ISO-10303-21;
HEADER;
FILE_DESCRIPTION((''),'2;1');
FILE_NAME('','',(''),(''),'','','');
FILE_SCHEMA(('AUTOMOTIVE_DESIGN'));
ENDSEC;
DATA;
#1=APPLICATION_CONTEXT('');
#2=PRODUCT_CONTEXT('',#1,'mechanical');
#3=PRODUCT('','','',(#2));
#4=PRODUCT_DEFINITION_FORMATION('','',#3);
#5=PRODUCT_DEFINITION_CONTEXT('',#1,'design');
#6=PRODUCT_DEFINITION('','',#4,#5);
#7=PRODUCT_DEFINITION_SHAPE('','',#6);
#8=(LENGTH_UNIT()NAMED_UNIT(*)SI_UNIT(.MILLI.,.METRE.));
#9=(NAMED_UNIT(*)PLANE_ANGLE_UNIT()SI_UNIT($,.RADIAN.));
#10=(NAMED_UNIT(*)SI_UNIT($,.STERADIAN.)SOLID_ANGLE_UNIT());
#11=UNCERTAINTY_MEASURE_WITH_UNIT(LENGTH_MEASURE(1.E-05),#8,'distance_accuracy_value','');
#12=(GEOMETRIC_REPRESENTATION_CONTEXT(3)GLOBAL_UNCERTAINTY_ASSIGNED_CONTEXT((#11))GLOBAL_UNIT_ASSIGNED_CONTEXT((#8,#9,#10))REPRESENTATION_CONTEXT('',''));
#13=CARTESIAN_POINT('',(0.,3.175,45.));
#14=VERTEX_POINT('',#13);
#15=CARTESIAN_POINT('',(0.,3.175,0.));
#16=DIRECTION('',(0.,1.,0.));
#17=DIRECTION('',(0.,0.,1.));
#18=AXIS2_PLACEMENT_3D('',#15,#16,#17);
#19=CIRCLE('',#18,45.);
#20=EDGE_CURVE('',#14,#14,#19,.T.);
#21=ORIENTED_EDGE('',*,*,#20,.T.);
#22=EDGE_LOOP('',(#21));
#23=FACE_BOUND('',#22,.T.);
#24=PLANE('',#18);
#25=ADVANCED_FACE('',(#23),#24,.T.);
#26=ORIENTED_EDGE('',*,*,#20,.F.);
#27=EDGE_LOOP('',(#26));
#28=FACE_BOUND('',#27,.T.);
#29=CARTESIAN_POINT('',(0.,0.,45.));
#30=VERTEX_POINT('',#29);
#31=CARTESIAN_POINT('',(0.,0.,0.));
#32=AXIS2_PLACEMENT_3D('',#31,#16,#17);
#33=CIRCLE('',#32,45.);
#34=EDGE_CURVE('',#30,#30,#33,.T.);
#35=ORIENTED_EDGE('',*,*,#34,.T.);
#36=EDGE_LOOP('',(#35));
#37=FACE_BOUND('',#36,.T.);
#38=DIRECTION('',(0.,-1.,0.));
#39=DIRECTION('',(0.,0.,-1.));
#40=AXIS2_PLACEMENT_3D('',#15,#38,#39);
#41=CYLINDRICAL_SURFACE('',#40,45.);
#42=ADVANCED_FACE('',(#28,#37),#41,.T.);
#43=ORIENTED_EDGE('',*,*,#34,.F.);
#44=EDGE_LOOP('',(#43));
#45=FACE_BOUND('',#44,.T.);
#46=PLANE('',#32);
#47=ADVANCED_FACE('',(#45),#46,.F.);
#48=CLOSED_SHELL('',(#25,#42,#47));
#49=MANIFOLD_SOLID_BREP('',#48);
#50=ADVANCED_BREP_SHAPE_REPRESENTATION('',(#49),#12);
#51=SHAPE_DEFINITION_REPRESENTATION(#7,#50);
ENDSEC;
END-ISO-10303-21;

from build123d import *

# Parameters (mm, degrees)
SKETCH1_R           = 45
BOSS_EXTRUDE1_DEPTH = 3.175


with BuildPart() as part:
    # Sketch1 → Boss-Extrude1 (new body)
    with BuildSketch(Plane(origin=(0, 0, 0), x_dir=(1, 0, 0), z_dir=(0, 1, 0))):
        Circle(SKETCH1_R)
    extrude(amount=BOSS_EXTRUDE1_DEPTH)


solid = part.part
